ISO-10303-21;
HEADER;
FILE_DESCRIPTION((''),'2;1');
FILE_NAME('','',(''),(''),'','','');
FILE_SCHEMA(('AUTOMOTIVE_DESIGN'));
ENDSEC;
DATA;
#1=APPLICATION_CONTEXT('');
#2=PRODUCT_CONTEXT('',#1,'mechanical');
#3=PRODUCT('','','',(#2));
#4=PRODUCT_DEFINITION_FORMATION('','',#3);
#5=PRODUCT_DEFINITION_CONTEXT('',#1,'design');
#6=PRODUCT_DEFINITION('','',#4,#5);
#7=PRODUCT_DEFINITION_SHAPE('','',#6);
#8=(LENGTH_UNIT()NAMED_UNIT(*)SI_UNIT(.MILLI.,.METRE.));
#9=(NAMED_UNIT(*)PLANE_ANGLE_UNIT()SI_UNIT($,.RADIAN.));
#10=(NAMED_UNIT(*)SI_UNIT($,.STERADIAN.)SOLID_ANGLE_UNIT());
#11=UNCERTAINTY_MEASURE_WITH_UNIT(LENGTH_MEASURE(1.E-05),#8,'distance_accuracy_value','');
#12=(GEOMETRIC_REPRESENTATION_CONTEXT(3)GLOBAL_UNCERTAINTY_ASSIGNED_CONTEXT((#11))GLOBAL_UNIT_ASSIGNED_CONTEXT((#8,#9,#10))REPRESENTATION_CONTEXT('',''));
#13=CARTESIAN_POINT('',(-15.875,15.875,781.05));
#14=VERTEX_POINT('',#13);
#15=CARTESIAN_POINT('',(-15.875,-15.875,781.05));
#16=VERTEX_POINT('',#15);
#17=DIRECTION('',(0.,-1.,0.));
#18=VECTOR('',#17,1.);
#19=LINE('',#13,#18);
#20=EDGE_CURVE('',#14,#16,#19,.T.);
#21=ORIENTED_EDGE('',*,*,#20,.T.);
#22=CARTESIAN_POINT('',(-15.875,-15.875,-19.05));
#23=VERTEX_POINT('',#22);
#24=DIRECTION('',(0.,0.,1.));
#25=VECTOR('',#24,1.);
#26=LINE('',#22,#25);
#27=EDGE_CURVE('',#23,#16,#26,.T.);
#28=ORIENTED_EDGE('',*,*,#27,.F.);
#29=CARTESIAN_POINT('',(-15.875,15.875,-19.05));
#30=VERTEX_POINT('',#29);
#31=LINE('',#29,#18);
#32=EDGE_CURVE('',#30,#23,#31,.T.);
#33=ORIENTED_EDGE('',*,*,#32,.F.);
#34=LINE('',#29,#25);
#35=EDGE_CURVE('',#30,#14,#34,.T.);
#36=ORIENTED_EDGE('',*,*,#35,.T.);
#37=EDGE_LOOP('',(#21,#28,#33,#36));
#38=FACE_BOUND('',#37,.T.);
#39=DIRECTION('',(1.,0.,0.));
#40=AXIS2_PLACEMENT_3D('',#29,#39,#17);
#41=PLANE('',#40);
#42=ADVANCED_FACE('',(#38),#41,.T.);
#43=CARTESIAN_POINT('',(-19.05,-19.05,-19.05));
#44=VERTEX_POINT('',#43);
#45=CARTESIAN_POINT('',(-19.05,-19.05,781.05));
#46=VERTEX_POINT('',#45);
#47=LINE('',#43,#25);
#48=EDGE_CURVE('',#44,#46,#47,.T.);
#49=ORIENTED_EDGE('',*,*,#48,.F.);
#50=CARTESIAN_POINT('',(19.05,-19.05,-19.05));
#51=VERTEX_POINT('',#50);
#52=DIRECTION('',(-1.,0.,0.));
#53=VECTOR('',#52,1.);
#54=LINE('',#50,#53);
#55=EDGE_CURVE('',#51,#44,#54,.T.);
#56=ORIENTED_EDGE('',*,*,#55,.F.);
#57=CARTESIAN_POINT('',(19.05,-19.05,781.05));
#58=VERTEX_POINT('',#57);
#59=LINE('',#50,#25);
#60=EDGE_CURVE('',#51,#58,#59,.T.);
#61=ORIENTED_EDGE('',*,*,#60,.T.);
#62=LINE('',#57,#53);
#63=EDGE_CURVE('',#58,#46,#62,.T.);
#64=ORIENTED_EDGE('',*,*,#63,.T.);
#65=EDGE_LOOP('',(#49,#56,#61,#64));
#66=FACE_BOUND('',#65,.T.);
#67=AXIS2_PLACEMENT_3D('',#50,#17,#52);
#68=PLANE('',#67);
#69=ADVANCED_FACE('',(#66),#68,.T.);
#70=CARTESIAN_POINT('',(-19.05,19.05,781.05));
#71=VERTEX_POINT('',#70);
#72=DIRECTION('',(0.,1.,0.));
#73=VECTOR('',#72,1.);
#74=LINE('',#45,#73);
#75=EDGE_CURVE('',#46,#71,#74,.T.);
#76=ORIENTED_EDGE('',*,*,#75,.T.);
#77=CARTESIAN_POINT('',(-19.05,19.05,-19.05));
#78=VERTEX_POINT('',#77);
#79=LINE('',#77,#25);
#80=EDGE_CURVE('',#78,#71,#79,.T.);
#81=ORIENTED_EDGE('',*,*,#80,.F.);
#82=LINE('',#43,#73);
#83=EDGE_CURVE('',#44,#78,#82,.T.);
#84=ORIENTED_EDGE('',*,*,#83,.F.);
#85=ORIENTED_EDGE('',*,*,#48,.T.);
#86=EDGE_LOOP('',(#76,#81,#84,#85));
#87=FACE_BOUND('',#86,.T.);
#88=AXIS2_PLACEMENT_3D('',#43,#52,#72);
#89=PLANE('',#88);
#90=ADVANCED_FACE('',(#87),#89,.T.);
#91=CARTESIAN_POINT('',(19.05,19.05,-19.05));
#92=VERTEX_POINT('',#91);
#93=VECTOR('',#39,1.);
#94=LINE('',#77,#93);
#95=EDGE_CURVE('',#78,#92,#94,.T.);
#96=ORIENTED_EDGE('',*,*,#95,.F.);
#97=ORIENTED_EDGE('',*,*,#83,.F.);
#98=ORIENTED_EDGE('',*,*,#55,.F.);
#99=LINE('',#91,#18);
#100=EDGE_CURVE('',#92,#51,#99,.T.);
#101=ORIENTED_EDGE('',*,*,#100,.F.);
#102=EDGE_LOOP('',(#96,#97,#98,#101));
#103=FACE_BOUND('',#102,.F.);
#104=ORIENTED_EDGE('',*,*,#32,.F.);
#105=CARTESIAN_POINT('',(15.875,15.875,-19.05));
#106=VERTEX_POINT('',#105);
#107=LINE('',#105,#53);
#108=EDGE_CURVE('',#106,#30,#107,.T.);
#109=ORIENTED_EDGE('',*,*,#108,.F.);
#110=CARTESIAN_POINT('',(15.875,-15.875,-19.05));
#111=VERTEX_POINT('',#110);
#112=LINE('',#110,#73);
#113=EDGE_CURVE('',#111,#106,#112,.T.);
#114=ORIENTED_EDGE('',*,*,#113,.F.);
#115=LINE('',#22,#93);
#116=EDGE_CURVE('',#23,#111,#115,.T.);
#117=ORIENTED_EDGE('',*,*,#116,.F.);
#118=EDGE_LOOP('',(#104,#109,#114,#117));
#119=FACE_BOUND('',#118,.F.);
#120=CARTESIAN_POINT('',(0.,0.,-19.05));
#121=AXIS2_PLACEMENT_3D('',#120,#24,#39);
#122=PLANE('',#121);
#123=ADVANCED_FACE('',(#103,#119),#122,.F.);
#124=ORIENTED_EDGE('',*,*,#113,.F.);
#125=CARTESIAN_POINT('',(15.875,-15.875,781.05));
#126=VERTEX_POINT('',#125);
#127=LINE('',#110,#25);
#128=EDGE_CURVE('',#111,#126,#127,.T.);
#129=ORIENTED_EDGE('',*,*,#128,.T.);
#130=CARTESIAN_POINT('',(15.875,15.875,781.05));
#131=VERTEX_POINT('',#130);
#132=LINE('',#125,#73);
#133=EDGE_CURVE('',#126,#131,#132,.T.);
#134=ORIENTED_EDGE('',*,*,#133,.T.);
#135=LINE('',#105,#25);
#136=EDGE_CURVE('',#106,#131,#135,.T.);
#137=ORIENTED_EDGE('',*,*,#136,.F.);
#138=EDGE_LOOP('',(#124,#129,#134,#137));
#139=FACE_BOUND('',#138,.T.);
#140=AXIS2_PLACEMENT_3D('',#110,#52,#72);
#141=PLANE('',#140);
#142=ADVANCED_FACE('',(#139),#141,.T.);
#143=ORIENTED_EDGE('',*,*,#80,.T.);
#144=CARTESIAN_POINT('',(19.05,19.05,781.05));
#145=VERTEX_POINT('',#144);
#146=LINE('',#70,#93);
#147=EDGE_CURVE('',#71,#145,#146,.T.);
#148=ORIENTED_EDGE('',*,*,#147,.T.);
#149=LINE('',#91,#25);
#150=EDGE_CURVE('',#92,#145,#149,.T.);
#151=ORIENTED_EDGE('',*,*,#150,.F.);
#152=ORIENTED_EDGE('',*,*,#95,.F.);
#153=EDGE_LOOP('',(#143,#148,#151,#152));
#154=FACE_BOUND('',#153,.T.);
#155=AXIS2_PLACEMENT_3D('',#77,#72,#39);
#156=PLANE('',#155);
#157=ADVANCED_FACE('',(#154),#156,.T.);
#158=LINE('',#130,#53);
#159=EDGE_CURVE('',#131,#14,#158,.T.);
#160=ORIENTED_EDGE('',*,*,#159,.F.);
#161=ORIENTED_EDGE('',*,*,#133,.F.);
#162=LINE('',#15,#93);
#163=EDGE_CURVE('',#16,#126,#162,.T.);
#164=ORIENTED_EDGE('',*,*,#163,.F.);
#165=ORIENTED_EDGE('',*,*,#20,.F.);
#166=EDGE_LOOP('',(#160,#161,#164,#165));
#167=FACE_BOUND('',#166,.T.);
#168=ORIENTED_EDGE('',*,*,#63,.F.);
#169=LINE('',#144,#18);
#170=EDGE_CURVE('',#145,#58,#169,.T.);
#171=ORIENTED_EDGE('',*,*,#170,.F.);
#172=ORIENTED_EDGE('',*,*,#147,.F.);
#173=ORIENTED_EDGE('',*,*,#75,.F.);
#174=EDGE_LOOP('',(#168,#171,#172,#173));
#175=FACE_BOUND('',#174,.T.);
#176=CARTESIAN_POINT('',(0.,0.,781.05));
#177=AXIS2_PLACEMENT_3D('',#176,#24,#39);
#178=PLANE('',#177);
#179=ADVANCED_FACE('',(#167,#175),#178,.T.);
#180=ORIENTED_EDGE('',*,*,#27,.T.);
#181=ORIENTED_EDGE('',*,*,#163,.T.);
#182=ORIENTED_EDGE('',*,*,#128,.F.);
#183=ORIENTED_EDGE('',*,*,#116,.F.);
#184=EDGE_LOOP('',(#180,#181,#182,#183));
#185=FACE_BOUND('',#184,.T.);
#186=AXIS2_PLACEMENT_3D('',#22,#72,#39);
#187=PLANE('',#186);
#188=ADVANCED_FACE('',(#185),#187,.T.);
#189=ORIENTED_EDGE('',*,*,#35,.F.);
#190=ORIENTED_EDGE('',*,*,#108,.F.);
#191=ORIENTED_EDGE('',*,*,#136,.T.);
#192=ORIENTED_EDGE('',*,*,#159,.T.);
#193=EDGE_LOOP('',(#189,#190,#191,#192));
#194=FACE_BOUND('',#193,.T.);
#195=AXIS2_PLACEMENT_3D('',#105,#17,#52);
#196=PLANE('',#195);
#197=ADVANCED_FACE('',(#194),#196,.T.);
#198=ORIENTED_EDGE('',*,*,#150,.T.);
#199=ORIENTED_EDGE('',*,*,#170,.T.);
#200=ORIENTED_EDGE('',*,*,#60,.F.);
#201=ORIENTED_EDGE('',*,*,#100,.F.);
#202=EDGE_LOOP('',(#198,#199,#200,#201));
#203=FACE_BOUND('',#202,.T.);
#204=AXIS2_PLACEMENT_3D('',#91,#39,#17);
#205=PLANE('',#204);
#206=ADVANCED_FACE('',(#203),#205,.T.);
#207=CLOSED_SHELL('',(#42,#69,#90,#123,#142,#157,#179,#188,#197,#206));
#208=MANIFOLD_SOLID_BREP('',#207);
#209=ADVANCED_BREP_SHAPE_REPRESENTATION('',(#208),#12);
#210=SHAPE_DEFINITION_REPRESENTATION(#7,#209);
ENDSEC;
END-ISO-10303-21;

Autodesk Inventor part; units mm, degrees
ref_plane "Start Plane" through (0, 0, -19.05) normal (0, 0, 1) x (1, 0, 0)
ref_plane "End Plane" through (0, 0, 781.05) normal (0, 0, 1) x (1, 0, 0)
sketch "Sketch" plane through (0, 0, 0) normal (0, 0, 1) x (1, 0, 0)
  line L0 (-19.05, 19.05) -> (19.05, 19.05)
  line L1 (19.05, 19.05) -> (19.05, -19.05)
  line L2 (19.05, -19.05) -> (-19.05, -19.05)
  line L3 (-19.05, -19.05) -> (-19.05, 19.05)
  line L4 (15.875, 15.875) -> (-15.875, 15.875)
  line L5 (-15.875, 15.875) -> (-15.875, -15.875)
  line L6 (-15.875, -15.875) -> (15.875, -15.875)
  line L7 (15.875, -15.875) -> (15.875, 15.875)
  point P0 (0, 0)
  point P1 (0, 19.05)
  point P2 (-19.05, 0)
  dimension "width" = 38.1
  dimension "d1" = 3.175
extrude "Body" add sketch "Sketch" along normal up to surface (800.1 mm away) from surface at -19.05
sketch "Sketch4" plane through (0, 0, 0) normal (0, 0, 1) x (1, 0, 0)
  line L0 (0, 0) -> (10, 0)
ref_plane "Work Plane4" through (0, 0, 0) normal (0, -1, 0) x (1, 0, 0)
sketch "Sketch5" plane through (0, 0, 0) normal (0, -1, 0) x (1, 0, 0)
  line L0 (-2, -19.05) -> (12, -19.05)
  line L1 (-2, 781.05) -> (12, 781.05)
  dimension "d9" = 800.1
ref_plane "Work Plane5" through (0, 12.7, 781.05) normal (0, 0, 1) x (1, 0, 0)
split "Split1" plane through (0, 12.7, 781.05) removes the side toward (0, 0, 1)
ref_plane "Work Plane6" through (0, -12.7, -19.05) normal (0, 0, -1) x (-1, 0, 0)
split "Split2" plane through (0, -12.7, -19.05) removes the side toward (0, 0, -1)
equation "\"G_OFFSET_START\" = 19.05"
equation "\"G_OFFSET_END\" = 19.05"
equation "\"d4\" = -G_OFFSET_START"
equation "\"d5\" = length + G_OFFSET_END"
equation "\"G_L\" = 762"
equation "\"length\" = 762"
properties part number "1.5x1.5x.125 Tube" material "Aluminum-6061"
